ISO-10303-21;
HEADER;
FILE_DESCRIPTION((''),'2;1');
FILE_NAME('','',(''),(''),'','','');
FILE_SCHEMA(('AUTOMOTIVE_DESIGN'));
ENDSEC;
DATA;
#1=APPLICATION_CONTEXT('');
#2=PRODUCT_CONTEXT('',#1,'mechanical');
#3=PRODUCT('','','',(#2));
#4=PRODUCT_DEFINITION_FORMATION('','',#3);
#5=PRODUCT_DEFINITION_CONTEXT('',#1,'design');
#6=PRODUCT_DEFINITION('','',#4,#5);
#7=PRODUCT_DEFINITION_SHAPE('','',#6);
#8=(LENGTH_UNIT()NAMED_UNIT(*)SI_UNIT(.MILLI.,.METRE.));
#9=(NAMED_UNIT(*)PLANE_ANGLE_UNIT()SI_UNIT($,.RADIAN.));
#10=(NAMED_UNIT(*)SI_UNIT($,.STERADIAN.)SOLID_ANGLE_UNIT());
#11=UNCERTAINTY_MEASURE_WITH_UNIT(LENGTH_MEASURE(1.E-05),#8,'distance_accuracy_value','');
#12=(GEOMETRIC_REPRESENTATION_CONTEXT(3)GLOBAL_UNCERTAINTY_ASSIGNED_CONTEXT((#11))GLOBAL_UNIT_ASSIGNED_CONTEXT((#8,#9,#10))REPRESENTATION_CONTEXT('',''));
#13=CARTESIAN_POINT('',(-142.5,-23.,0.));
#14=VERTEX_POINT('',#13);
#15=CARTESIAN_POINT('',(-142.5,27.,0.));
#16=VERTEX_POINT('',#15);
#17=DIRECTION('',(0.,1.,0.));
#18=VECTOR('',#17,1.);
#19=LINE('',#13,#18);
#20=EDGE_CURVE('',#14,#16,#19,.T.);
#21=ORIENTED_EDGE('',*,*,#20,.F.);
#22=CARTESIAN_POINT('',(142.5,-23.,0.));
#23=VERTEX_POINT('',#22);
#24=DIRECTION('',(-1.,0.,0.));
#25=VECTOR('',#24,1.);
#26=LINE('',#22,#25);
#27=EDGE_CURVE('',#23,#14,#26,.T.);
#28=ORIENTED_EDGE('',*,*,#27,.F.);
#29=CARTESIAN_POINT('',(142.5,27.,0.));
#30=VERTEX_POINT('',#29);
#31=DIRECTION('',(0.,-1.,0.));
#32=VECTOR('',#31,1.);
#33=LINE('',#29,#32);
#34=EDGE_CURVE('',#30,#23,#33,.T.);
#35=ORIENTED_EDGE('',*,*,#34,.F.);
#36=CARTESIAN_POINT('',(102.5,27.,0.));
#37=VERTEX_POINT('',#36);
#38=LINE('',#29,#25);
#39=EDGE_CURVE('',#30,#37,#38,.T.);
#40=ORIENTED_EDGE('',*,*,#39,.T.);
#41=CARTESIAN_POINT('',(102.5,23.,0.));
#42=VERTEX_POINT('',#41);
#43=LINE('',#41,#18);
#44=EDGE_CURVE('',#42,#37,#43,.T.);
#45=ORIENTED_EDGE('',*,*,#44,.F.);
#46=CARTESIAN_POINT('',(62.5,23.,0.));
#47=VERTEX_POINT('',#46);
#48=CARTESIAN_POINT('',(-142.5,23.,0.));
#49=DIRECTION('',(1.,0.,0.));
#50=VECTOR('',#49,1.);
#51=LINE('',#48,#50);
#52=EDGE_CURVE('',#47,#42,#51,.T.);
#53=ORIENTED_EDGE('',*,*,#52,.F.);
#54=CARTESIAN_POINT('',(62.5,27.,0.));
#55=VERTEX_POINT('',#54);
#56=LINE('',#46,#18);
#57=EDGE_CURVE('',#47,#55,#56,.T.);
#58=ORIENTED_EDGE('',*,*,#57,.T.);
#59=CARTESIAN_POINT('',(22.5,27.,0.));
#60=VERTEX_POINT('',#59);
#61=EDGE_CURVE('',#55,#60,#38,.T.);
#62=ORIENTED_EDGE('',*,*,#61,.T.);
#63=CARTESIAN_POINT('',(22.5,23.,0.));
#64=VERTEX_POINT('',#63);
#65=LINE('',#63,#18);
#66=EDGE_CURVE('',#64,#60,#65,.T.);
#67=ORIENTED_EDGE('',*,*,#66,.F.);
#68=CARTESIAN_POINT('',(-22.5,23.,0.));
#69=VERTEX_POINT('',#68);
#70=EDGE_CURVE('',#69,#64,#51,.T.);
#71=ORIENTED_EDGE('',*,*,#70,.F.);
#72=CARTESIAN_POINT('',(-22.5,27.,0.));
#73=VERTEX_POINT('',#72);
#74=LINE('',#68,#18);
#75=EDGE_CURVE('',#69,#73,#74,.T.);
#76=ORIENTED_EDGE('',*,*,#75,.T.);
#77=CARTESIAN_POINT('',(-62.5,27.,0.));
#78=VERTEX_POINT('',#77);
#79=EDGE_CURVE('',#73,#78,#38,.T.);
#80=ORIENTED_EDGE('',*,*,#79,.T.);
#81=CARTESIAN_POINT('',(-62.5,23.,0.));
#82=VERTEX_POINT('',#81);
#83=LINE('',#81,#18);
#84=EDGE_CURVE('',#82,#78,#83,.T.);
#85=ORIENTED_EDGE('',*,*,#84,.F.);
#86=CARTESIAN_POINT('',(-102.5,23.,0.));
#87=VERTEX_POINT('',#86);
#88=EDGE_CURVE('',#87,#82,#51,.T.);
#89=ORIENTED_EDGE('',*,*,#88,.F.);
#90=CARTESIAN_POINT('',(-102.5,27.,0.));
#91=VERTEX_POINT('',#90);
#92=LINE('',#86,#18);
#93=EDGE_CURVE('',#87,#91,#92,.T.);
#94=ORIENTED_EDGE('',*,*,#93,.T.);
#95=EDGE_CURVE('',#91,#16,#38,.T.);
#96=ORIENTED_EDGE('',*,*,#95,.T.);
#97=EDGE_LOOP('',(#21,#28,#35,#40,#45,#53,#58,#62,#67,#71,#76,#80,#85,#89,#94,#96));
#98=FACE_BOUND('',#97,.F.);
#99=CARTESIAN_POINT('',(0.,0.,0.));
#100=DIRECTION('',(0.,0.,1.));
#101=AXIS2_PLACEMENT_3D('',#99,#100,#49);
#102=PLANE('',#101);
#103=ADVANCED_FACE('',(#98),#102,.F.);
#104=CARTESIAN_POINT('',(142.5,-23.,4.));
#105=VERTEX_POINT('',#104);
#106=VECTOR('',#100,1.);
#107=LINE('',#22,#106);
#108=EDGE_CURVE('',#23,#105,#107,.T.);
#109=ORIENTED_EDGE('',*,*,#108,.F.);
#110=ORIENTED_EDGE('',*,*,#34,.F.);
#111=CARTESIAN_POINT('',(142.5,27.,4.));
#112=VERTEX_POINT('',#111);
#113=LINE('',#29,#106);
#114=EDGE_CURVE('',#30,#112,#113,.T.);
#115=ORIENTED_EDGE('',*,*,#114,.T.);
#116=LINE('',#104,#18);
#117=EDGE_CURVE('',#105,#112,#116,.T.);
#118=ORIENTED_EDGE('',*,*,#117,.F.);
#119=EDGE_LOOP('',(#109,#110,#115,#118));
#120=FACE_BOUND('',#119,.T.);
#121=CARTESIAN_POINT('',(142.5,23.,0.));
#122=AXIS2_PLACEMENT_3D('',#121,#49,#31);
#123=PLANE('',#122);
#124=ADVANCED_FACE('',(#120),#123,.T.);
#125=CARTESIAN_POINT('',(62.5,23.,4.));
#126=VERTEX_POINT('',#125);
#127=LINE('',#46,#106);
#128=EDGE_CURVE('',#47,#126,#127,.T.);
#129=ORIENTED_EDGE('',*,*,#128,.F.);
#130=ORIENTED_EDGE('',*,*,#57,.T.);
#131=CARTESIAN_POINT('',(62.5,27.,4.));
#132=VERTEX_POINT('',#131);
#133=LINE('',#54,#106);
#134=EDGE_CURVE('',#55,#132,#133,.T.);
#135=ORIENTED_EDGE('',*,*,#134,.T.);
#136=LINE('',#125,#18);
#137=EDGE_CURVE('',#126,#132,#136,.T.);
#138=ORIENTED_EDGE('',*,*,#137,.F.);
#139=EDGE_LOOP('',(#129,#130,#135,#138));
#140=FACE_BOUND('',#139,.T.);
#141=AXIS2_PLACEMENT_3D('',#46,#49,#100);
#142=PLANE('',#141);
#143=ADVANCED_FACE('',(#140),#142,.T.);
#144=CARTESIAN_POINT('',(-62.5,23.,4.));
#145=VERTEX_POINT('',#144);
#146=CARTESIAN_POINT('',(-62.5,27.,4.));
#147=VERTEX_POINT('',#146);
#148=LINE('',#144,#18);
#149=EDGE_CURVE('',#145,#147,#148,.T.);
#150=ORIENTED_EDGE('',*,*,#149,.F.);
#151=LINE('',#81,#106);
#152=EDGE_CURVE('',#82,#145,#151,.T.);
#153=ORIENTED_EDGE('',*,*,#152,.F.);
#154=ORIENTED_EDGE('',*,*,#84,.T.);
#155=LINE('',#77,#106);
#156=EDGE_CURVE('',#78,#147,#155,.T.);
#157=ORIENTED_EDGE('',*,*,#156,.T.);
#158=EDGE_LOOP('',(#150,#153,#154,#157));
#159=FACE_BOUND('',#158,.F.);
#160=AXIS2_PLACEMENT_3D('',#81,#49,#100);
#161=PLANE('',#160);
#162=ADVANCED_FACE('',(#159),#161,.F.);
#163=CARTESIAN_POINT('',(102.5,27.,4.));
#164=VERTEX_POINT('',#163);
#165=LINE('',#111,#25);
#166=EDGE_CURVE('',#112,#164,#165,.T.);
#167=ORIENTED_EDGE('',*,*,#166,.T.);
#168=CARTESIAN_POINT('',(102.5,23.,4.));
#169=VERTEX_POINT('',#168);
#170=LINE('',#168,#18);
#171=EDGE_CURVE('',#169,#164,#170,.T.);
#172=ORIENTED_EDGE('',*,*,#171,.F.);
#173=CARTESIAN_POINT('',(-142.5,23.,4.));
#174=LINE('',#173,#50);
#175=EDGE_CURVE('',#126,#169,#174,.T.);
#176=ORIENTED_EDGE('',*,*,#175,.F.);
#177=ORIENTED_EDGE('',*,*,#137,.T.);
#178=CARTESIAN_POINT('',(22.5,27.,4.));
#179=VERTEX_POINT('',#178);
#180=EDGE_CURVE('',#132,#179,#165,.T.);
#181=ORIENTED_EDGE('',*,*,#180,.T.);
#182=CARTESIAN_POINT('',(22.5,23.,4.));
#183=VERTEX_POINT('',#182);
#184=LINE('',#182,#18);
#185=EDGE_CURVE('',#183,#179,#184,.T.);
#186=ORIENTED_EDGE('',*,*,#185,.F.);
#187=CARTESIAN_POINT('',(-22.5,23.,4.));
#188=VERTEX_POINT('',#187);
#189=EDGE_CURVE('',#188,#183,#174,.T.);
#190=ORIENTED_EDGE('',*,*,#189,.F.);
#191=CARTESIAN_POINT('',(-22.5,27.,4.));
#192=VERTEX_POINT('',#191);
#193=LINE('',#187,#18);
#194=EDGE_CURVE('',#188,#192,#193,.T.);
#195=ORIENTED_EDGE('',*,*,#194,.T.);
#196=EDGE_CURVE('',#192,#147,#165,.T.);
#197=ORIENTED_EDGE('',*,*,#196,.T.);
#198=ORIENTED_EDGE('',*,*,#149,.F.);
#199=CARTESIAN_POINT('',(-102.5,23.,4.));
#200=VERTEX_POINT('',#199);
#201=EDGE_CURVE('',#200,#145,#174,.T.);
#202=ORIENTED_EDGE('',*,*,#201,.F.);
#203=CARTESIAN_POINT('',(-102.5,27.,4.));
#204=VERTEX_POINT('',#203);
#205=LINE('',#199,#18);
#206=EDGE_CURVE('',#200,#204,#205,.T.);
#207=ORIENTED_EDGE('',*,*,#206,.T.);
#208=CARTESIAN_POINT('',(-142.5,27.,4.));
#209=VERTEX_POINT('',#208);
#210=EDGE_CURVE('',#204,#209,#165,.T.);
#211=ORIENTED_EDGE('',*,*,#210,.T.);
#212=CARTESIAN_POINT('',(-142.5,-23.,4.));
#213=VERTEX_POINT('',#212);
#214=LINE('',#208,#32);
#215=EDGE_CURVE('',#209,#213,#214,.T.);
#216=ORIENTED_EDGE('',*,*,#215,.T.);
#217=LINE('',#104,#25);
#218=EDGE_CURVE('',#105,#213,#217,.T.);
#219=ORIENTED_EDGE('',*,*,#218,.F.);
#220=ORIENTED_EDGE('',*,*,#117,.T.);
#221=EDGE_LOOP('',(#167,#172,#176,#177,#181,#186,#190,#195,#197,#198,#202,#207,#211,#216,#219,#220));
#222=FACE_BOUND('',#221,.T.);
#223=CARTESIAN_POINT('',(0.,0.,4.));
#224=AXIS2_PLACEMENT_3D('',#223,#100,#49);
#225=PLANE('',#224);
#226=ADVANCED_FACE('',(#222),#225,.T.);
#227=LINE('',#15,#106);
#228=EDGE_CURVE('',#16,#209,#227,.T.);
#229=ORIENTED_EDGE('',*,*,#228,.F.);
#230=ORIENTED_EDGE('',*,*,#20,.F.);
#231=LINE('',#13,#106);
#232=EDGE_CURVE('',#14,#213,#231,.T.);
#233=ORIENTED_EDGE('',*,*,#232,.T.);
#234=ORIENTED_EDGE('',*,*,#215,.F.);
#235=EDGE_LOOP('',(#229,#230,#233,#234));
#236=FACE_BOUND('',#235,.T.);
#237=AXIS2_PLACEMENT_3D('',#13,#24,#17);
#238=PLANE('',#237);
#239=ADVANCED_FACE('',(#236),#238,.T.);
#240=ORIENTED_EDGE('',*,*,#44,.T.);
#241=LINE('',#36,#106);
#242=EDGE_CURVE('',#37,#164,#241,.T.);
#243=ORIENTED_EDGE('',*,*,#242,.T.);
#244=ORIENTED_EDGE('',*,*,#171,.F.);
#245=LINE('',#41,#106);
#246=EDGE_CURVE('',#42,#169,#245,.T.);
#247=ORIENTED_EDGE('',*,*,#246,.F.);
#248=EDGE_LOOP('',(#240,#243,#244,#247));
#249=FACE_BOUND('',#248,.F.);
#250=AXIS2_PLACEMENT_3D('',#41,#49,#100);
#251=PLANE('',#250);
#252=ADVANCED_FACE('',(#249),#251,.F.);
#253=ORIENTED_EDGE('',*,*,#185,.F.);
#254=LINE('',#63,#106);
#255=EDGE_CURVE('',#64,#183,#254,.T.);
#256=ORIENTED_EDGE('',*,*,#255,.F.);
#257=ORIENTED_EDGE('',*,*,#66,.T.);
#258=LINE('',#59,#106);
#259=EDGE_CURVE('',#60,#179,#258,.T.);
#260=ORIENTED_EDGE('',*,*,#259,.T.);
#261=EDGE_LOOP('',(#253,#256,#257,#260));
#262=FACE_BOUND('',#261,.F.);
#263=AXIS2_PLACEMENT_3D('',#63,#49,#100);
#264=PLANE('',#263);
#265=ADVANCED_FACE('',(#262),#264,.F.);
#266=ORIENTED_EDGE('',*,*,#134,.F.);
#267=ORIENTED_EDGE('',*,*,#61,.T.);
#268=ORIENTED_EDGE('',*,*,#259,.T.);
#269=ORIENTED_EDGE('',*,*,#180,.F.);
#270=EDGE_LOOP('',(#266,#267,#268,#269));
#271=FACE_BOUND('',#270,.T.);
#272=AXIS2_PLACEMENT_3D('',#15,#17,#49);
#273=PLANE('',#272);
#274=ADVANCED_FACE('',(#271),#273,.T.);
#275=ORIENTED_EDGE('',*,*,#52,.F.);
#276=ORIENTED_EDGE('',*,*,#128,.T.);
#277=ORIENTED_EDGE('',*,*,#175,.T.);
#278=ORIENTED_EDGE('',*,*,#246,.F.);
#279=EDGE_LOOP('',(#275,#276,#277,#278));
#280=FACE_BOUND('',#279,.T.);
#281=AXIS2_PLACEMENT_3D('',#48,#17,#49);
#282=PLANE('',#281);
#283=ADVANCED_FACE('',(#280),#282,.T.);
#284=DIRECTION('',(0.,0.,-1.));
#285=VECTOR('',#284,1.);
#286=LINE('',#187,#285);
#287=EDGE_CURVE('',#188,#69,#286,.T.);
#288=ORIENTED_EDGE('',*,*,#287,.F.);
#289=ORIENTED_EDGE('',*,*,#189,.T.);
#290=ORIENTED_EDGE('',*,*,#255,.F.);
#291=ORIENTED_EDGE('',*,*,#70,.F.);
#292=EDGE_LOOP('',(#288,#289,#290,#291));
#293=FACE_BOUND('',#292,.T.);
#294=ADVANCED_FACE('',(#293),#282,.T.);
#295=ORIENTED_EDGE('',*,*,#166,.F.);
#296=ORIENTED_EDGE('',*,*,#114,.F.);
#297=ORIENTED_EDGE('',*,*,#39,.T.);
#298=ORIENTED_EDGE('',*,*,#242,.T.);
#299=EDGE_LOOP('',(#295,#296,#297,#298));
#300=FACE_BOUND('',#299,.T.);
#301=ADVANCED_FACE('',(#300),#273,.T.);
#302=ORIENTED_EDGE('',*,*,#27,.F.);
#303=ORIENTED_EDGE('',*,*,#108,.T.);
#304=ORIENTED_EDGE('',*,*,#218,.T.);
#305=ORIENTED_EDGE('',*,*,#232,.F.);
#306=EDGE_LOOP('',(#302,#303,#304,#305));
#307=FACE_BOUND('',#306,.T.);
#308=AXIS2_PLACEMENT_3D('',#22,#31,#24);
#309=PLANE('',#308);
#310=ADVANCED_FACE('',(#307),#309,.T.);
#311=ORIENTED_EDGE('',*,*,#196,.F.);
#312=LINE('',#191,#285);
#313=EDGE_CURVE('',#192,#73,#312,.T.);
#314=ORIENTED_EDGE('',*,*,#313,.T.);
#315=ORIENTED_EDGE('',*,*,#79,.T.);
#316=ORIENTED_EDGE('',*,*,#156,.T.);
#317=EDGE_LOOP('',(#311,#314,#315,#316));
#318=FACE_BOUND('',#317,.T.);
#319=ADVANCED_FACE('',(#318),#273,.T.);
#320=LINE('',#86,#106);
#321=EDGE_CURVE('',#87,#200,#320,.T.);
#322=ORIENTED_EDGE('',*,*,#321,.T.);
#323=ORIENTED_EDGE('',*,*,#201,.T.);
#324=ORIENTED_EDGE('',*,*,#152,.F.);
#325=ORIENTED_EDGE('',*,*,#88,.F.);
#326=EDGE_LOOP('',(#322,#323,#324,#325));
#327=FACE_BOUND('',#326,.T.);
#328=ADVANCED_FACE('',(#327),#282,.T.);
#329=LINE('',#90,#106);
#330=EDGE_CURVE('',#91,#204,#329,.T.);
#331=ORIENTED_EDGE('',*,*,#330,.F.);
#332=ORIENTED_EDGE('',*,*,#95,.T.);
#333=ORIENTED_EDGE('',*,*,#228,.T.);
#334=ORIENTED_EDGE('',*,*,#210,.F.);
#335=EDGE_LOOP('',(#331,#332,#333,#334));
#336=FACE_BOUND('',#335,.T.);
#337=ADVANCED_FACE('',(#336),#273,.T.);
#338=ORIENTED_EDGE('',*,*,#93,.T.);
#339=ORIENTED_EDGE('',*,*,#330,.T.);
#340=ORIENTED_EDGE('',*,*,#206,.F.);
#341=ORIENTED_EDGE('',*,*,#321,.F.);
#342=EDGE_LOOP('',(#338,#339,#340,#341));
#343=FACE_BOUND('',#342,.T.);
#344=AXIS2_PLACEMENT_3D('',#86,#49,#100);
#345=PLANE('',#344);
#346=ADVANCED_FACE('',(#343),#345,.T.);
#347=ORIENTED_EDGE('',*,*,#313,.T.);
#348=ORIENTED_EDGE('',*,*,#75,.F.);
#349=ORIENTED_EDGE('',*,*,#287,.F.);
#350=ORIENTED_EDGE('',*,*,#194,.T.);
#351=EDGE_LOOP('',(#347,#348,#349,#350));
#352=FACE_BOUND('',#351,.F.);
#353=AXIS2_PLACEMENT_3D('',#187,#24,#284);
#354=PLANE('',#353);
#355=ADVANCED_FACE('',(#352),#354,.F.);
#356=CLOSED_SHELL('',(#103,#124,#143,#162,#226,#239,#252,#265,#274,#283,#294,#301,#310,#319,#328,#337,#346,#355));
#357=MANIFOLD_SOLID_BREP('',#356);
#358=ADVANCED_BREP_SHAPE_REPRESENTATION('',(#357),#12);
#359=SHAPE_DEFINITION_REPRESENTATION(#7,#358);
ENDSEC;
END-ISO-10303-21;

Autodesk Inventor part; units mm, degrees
ref_plane "YZ Plane" through (0, 0, 0) normal (1, 0, 0) x (0, 1, 0)
ref_plane "XZ Plane" through (0, 0, 0) normal (0, 1, 0) x (-1, 0, 0)
ref_plane "XY Plane" through (0, 0, 0) normal (0, 0, 1) x (1, 0, 0)
sketch "Эскиз1" plane through (0, 0, 0) normal (0, 0, 1) x (1, 0, 0)
  line L0 (-142.5, 23) -> (142.5, 23)
  line L1 (142.5, 23) -> (142.5, -23)
  line L2 (142.5, -23) -> (-142.5, -23)
  line L3 (-142.5, -23) -> (-142.5, 23)
  line L4 (-142.5, 23) -> (142.5, -23) construction
  line L5 (142.5, 23) -> (-142.5, -23) construction
  point P0 (0, 0)
  dimension "d0" = 285
  dimension "d1" = 46
extrude "Выдавливание1" add sketch "Эскиз1" along normal blind 4
sketch "Эскиз2" plane through (-142.5, 23, 0) normal (0, 1, 0) x (1, 0, 0)
  line L0 (285, 0) -> (0, 0) projected
  line L1 (0, 0) -> (0, -4) projected
  line L2 (285, -4) -> (0, -4) projected
  line L3 (285, 0) -> (285, -4) projected
  line L4 (40, 0) -> (40, -4)
  line L5 (0, 0) -> (285, 0) projected
  line L6 (80, 0) -> (80, -4)
  line L7 (165, 0) -> (165, -4)
  line L8 (0, -4) -> (285, -4) projected
  line L9 (205, 0) -> (205, -4)
  line L10 (245, 0) -> (245, -4)
  line L11 (120, -4) -> (120, 0)
  point P0 (142.5, 0)
  point P1 (0, -2)
  point P2 (40, -2)
  point P3 (285, -2)
  point P4 (165, -2)
  point P5 (205, -2)
  point P6 (245, -2)
  point P7 (80, -2)
  point P8 (120, -2)
  dimension "d4" = 40
  dimension "d5" = 40
  dimension "d6" = 40
  dimension "d8" = 40
  dimension "d9" = 40
  dimension "d10" = 40
extrude "Выдавливание2" add sketch "Эскиз2" along normal blind 4 contours L3 L2 L10 L0 | L9 L2 L7 L0 | L11 L2 L6 L0 | L4 L2 L1 L0
properties part number "стенкаB"
